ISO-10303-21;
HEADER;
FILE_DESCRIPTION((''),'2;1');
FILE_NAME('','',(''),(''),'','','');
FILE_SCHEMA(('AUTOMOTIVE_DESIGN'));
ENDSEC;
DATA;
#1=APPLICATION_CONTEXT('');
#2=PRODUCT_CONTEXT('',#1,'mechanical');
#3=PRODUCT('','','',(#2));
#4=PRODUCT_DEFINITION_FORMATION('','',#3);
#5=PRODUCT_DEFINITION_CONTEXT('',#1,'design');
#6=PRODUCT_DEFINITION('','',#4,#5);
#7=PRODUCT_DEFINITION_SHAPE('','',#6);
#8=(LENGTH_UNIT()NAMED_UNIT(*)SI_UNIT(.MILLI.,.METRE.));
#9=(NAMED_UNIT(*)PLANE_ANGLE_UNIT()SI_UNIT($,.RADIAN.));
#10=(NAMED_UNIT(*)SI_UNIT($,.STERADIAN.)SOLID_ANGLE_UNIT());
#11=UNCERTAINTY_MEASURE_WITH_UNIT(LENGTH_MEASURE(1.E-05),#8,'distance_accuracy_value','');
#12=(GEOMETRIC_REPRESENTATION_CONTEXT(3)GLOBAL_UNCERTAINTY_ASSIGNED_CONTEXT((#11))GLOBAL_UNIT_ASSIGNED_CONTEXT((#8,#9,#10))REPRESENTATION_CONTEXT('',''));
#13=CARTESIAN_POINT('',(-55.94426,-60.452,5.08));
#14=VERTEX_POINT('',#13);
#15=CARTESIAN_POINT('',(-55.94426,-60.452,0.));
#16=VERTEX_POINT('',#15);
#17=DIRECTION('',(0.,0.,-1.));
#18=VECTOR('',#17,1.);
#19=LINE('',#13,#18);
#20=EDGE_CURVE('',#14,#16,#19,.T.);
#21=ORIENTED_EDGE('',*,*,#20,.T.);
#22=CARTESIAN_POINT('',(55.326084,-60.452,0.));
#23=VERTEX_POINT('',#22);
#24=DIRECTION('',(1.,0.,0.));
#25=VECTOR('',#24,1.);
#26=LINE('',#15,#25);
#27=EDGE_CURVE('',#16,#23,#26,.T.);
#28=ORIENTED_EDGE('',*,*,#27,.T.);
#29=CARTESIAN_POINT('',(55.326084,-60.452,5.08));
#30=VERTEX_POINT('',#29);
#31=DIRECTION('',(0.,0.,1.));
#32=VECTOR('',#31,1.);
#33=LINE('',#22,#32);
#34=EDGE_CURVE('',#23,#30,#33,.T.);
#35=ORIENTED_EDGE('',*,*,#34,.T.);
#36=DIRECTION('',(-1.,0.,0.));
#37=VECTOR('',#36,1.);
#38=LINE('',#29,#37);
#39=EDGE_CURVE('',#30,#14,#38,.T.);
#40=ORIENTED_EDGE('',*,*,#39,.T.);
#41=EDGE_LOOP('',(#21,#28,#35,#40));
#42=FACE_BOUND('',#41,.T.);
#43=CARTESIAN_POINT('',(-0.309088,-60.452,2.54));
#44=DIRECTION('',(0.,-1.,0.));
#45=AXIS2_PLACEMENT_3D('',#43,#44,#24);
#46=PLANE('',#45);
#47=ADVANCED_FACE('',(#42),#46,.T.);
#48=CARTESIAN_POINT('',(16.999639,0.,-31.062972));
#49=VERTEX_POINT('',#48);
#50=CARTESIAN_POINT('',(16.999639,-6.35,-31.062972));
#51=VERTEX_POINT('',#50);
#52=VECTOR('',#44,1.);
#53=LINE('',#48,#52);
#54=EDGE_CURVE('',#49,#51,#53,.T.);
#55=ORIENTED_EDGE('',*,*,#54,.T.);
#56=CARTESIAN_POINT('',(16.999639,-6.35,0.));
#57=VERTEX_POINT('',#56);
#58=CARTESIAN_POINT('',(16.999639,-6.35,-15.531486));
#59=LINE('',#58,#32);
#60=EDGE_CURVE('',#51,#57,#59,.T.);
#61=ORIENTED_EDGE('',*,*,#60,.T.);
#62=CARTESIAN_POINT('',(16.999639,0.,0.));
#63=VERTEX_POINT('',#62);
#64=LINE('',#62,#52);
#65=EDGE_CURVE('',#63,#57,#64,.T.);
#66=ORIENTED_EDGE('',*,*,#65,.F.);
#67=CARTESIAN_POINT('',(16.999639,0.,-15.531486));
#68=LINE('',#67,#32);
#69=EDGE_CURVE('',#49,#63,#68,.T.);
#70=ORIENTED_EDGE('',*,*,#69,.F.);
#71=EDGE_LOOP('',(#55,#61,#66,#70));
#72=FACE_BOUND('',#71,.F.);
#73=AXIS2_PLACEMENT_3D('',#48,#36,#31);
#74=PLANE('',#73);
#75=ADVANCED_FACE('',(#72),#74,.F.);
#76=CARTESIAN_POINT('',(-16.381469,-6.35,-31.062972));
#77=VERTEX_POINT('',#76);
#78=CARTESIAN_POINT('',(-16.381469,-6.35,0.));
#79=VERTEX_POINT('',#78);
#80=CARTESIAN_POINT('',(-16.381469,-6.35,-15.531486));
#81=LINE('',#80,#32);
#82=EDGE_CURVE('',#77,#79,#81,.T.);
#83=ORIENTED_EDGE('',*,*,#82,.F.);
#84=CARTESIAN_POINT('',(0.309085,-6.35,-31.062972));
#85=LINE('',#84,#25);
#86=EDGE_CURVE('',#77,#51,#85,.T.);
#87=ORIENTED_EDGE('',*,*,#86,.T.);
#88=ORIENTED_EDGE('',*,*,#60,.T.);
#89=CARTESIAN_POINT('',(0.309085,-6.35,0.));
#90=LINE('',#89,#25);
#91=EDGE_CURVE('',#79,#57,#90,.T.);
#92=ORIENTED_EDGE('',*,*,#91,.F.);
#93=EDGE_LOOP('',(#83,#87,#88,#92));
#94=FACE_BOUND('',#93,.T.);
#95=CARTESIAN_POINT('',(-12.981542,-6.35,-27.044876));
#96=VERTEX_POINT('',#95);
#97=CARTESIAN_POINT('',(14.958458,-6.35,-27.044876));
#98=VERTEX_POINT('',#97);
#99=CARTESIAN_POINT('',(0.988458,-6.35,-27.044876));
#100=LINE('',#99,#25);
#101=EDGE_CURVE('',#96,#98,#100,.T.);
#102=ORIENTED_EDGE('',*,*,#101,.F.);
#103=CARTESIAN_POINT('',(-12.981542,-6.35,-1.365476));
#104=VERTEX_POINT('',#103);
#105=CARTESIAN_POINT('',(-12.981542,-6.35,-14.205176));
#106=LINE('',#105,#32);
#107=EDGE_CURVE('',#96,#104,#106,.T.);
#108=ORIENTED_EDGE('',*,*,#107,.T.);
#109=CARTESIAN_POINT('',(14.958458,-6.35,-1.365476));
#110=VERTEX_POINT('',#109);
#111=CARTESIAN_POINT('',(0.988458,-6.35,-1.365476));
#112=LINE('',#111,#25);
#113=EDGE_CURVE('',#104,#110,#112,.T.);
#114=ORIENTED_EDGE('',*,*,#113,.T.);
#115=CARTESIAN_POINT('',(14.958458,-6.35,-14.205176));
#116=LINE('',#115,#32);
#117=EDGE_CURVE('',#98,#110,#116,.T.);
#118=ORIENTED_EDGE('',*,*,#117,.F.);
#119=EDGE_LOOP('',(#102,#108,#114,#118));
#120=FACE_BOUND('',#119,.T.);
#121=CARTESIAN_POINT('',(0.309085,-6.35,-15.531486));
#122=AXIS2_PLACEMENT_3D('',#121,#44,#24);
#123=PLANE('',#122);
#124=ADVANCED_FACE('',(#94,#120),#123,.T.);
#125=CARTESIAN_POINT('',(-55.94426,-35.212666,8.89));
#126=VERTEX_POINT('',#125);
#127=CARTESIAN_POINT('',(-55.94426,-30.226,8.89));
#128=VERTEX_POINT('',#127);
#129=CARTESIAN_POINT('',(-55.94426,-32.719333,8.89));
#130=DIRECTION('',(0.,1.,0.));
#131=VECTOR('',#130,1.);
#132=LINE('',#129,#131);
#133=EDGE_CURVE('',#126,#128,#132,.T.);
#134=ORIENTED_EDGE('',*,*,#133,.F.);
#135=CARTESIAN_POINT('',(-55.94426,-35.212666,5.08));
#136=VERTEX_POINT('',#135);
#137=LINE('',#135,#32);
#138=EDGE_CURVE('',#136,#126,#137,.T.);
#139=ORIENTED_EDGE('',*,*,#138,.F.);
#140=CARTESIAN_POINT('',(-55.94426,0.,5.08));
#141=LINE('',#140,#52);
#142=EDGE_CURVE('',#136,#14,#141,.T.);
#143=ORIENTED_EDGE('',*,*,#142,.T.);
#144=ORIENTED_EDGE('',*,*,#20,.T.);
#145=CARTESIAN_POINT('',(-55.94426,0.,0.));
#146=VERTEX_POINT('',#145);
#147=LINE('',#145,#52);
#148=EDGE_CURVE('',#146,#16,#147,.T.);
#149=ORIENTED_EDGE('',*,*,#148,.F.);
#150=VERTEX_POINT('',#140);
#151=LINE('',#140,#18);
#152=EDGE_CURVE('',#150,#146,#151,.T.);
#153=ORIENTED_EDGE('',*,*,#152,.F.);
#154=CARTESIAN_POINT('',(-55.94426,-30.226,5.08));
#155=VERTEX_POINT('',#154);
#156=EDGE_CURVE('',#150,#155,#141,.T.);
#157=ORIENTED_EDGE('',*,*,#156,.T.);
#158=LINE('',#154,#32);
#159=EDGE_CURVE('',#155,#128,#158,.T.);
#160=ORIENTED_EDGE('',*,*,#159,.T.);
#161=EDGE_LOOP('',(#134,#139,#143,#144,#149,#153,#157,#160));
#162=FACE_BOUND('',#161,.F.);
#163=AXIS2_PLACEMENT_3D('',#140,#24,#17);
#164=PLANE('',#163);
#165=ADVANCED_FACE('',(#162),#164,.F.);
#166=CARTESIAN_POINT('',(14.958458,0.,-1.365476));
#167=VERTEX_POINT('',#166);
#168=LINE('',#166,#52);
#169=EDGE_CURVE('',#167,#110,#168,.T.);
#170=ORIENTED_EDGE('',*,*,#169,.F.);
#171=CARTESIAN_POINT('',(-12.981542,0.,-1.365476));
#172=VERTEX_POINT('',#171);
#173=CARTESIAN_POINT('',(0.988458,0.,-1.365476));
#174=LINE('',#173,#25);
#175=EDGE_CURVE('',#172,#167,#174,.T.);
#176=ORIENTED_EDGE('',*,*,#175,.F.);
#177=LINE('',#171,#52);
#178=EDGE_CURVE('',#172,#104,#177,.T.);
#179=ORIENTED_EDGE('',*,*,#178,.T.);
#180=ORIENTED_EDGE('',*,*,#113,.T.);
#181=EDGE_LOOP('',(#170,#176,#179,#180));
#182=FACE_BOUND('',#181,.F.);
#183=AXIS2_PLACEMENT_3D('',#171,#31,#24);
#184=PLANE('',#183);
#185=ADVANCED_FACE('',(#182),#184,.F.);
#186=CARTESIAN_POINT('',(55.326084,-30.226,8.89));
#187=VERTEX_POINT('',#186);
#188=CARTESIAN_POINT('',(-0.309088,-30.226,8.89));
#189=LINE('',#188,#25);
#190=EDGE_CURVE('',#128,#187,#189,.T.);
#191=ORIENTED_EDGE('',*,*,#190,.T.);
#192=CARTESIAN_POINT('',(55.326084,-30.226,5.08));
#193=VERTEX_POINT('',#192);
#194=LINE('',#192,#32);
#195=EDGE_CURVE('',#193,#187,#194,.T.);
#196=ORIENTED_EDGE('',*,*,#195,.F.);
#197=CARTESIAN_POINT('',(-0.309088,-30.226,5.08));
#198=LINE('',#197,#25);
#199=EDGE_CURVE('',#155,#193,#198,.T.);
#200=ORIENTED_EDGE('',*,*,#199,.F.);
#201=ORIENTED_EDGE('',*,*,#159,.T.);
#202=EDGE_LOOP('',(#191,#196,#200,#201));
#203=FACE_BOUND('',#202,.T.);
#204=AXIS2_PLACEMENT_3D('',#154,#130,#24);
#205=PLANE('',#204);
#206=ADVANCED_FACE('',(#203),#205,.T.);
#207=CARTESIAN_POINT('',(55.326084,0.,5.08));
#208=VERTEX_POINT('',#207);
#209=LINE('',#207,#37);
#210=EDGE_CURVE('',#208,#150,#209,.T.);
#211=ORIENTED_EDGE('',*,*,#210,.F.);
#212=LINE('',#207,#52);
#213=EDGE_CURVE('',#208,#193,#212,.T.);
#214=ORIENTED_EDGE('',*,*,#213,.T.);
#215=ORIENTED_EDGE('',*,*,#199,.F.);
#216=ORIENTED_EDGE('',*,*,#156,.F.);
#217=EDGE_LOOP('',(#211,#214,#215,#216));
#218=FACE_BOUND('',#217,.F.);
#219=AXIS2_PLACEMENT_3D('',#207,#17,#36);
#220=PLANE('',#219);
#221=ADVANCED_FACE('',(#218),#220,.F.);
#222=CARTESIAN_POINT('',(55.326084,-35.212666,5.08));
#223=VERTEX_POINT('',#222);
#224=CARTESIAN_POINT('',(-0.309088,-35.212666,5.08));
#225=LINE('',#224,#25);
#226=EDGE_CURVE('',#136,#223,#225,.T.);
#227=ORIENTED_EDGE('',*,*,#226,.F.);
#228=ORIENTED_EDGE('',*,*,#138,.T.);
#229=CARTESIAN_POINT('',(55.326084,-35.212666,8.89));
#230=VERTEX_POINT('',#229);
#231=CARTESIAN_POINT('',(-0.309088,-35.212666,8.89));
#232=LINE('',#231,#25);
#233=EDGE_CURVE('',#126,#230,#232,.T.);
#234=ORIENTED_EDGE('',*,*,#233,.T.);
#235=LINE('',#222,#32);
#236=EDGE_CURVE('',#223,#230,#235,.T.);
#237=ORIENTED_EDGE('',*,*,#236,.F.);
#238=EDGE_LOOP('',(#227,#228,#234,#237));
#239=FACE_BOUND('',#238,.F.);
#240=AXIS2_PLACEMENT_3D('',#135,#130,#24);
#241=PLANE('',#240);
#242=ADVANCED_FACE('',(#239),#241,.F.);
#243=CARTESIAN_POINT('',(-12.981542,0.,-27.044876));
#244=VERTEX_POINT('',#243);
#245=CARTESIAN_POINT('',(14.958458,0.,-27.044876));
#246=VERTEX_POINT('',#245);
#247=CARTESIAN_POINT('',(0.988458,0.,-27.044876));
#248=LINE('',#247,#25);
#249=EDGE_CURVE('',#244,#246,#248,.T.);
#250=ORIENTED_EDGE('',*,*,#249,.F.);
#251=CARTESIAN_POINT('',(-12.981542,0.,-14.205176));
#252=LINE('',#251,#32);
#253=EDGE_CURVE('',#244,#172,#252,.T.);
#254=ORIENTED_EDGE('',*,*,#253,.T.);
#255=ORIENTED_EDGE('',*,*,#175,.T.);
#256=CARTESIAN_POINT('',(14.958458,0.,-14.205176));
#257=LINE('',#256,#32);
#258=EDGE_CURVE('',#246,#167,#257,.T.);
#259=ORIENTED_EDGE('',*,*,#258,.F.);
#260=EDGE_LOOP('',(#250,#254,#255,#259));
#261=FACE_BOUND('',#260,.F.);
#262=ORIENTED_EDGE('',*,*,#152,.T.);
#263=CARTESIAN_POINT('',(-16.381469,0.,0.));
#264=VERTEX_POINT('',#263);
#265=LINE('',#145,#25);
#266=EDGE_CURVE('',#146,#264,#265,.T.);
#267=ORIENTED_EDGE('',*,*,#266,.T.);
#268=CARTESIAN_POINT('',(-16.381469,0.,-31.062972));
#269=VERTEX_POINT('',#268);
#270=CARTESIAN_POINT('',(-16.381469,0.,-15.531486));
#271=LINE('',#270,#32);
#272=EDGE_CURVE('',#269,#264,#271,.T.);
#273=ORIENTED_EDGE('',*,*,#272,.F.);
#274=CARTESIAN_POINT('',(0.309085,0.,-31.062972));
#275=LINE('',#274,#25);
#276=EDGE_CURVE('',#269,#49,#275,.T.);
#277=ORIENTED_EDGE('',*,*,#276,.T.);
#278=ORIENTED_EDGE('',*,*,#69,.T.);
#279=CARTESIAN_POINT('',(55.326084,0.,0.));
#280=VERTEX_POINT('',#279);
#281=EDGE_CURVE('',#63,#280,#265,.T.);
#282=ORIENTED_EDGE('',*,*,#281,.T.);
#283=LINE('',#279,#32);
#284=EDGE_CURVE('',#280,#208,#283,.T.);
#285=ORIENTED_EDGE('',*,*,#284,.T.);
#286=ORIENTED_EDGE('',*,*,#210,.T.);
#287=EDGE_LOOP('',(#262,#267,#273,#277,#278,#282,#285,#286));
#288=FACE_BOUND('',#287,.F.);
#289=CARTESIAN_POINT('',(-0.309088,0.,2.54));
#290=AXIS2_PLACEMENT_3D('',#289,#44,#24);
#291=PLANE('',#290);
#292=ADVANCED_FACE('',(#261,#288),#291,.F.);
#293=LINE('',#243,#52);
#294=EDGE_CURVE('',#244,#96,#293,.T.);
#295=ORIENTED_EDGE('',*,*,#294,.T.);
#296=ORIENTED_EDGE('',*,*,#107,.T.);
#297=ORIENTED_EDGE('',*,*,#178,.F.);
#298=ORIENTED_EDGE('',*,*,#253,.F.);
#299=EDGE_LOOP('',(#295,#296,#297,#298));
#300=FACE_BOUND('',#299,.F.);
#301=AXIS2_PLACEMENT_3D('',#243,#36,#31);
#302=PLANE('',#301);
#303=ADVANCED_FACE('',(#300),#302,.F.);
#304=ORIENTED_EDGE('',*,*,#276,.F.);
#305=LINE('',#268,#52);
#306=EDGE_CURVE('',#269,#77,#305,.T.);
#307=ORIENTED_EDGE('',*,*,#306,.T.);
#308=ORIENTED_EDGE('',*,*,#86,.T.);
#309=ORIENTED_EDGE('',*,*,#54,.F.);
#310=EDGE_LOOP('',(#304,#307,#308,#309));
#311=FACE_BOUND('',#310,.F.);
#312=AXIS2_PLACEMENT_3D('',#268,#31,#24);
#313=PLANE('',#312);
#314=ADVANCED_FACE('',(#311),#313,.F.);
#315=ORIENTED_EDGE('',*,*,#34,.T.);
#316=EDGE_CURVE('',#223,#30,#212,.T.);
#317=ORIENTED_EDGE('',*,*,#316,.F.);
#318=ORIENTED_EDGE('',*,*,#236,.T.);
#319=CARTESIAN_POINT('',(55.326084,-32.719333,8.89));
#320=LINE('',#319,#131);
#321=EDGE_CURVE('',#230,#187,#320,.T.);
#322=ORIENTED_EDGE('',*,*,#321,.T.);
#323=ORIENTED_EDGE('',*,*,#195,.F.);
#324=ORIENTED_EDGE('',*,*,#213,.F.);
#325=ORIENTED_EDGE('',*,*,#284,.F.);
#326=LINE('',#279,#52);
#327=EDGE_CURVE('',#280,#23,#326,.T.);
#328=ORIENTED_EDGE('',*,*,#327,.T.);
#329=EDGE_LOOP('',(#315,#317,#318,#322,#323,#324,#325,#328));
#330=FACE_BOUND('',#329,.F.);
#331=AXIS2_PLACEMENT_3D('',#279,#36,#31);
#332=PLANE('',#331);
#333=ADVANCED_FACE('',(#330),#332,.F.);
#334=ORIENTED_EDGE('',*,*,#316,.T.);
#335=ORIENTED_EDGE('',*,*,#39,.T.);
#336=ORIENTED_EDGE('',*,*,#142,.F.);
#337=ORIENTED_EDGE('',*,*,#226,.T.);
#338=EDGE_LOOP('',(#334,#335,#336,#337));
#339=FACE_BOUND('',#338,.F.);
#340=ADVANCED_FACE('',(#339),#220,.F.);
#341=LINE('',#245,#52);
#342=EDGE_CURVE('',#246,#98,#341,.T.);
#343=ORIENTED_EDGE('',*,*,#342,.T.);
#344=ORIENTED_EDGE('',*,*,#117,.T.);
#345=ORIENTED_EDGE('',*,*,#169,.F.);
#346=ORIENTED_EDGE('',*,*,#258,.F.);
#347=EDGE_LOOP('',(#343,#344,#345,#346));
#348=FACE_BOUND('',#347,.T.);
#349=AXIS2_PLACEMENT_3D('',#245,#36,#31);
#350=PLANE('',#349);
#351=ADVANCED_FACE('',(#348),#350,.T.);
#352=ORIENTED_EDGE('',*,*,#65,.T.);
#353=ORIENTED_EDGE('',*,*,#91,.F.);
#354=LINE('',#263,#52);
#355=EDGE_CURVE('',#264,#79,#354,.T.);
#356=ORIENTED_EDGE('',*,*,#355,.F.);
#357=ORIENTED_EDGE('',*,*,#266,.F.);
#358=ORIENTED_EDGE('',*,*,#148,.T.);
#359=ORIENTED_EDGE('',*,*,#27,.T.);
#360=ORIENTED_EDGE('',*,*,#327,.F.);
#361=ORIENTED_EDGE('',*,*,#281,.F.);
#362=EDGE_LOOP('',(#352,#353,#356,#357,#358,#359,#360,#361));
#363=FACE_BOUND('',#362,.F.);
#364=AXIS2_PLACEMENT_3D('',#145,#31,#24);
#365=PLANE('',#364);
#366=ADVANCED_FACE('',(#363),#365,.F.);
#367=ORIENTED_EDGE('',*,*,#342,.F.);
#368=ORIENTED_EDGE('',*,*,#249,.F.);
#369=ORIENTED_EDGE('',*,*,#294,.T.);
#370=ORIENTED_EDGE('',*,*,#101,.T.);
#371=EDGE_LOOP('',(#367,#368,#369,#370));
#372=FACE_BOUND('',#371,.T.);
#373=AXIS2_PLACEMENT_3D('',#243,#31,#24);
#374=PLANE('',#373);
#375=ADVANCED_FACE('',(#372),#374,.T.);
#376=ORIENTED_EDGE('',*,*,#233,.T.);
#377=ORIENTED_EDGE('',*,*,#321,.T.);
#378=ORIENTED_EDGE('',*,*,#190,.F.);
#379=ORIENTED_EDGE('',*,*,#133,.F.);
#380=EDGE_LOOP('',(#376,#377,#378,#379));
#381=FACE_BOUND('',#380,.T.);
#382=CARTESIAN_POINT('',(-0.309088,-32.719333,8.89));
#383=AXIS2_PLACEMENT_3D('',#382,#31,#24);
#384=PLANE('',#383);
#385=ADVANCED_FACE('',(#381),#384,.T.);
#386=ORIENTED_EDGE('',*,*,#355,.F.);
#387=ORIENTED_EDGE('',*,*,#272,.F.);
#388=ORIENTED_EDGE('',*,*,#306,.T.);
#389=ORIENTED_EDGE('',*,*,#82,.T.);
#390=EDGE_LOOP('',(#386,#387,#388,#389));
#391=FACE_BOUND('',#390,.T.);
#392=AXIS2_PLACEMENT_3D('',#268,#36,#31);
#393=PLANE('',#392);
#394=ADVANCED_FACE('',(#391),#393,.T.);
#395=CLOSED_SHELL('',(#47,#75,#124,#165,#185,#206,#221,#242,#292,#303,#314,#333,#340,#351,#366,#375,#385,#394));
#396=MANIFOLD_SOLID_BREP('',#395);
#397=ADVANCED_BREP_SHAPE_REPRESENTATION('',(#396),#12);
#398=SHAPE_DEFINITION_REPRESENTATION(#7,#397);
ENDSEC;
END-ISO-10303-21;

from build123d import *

# Parameters (mm, degrees)
F0_W     = 33.381108
F0_H     = 31.062972
F0_W_2   = 27.94
F0_H_2   = 25.6794
F1_DEPTH = 6.35
F2_DEPTH = 60.452
F3_W     = 111.270344
F3_H     = 4.986666
F4_DEPTH = 3.81


with BuildPart() as f1:
    # F0 (on Front) → F1 (new body)
    with BuildSketch(Plane.XZ):
        with Locations((0.309085, -15.531486)):
            Rectangle(F0_W, F0_H)
        with Locations((0.988458, -14.205176)):
            Rectangle(F0_W_2, F0_H_2, mode=Mode.SUBTRACT)
    extrude(amount=F1_DEPTH)

    # F0 (on Front) → F2 (join)
    with BuildSketch(Plane.XZ):
        Polygon((-55.94426, 5.08), (-55.94426, 0), (-16.381469, 0), (16.999639, 0), (55.326084, 0), (55.326084, 5.08), align=None)
    extrude(amount=F2_DEPTH)

    # F3 (on face) → F4 (join)
    with BuildSketch(Plane.XY.offset(5.08)):
        with Locations((-0.309088, -32.719333)):
            Rectangle(F3_W, F3_H)
    extrude(amount=F4_DEPTH)


solid = f1.part
